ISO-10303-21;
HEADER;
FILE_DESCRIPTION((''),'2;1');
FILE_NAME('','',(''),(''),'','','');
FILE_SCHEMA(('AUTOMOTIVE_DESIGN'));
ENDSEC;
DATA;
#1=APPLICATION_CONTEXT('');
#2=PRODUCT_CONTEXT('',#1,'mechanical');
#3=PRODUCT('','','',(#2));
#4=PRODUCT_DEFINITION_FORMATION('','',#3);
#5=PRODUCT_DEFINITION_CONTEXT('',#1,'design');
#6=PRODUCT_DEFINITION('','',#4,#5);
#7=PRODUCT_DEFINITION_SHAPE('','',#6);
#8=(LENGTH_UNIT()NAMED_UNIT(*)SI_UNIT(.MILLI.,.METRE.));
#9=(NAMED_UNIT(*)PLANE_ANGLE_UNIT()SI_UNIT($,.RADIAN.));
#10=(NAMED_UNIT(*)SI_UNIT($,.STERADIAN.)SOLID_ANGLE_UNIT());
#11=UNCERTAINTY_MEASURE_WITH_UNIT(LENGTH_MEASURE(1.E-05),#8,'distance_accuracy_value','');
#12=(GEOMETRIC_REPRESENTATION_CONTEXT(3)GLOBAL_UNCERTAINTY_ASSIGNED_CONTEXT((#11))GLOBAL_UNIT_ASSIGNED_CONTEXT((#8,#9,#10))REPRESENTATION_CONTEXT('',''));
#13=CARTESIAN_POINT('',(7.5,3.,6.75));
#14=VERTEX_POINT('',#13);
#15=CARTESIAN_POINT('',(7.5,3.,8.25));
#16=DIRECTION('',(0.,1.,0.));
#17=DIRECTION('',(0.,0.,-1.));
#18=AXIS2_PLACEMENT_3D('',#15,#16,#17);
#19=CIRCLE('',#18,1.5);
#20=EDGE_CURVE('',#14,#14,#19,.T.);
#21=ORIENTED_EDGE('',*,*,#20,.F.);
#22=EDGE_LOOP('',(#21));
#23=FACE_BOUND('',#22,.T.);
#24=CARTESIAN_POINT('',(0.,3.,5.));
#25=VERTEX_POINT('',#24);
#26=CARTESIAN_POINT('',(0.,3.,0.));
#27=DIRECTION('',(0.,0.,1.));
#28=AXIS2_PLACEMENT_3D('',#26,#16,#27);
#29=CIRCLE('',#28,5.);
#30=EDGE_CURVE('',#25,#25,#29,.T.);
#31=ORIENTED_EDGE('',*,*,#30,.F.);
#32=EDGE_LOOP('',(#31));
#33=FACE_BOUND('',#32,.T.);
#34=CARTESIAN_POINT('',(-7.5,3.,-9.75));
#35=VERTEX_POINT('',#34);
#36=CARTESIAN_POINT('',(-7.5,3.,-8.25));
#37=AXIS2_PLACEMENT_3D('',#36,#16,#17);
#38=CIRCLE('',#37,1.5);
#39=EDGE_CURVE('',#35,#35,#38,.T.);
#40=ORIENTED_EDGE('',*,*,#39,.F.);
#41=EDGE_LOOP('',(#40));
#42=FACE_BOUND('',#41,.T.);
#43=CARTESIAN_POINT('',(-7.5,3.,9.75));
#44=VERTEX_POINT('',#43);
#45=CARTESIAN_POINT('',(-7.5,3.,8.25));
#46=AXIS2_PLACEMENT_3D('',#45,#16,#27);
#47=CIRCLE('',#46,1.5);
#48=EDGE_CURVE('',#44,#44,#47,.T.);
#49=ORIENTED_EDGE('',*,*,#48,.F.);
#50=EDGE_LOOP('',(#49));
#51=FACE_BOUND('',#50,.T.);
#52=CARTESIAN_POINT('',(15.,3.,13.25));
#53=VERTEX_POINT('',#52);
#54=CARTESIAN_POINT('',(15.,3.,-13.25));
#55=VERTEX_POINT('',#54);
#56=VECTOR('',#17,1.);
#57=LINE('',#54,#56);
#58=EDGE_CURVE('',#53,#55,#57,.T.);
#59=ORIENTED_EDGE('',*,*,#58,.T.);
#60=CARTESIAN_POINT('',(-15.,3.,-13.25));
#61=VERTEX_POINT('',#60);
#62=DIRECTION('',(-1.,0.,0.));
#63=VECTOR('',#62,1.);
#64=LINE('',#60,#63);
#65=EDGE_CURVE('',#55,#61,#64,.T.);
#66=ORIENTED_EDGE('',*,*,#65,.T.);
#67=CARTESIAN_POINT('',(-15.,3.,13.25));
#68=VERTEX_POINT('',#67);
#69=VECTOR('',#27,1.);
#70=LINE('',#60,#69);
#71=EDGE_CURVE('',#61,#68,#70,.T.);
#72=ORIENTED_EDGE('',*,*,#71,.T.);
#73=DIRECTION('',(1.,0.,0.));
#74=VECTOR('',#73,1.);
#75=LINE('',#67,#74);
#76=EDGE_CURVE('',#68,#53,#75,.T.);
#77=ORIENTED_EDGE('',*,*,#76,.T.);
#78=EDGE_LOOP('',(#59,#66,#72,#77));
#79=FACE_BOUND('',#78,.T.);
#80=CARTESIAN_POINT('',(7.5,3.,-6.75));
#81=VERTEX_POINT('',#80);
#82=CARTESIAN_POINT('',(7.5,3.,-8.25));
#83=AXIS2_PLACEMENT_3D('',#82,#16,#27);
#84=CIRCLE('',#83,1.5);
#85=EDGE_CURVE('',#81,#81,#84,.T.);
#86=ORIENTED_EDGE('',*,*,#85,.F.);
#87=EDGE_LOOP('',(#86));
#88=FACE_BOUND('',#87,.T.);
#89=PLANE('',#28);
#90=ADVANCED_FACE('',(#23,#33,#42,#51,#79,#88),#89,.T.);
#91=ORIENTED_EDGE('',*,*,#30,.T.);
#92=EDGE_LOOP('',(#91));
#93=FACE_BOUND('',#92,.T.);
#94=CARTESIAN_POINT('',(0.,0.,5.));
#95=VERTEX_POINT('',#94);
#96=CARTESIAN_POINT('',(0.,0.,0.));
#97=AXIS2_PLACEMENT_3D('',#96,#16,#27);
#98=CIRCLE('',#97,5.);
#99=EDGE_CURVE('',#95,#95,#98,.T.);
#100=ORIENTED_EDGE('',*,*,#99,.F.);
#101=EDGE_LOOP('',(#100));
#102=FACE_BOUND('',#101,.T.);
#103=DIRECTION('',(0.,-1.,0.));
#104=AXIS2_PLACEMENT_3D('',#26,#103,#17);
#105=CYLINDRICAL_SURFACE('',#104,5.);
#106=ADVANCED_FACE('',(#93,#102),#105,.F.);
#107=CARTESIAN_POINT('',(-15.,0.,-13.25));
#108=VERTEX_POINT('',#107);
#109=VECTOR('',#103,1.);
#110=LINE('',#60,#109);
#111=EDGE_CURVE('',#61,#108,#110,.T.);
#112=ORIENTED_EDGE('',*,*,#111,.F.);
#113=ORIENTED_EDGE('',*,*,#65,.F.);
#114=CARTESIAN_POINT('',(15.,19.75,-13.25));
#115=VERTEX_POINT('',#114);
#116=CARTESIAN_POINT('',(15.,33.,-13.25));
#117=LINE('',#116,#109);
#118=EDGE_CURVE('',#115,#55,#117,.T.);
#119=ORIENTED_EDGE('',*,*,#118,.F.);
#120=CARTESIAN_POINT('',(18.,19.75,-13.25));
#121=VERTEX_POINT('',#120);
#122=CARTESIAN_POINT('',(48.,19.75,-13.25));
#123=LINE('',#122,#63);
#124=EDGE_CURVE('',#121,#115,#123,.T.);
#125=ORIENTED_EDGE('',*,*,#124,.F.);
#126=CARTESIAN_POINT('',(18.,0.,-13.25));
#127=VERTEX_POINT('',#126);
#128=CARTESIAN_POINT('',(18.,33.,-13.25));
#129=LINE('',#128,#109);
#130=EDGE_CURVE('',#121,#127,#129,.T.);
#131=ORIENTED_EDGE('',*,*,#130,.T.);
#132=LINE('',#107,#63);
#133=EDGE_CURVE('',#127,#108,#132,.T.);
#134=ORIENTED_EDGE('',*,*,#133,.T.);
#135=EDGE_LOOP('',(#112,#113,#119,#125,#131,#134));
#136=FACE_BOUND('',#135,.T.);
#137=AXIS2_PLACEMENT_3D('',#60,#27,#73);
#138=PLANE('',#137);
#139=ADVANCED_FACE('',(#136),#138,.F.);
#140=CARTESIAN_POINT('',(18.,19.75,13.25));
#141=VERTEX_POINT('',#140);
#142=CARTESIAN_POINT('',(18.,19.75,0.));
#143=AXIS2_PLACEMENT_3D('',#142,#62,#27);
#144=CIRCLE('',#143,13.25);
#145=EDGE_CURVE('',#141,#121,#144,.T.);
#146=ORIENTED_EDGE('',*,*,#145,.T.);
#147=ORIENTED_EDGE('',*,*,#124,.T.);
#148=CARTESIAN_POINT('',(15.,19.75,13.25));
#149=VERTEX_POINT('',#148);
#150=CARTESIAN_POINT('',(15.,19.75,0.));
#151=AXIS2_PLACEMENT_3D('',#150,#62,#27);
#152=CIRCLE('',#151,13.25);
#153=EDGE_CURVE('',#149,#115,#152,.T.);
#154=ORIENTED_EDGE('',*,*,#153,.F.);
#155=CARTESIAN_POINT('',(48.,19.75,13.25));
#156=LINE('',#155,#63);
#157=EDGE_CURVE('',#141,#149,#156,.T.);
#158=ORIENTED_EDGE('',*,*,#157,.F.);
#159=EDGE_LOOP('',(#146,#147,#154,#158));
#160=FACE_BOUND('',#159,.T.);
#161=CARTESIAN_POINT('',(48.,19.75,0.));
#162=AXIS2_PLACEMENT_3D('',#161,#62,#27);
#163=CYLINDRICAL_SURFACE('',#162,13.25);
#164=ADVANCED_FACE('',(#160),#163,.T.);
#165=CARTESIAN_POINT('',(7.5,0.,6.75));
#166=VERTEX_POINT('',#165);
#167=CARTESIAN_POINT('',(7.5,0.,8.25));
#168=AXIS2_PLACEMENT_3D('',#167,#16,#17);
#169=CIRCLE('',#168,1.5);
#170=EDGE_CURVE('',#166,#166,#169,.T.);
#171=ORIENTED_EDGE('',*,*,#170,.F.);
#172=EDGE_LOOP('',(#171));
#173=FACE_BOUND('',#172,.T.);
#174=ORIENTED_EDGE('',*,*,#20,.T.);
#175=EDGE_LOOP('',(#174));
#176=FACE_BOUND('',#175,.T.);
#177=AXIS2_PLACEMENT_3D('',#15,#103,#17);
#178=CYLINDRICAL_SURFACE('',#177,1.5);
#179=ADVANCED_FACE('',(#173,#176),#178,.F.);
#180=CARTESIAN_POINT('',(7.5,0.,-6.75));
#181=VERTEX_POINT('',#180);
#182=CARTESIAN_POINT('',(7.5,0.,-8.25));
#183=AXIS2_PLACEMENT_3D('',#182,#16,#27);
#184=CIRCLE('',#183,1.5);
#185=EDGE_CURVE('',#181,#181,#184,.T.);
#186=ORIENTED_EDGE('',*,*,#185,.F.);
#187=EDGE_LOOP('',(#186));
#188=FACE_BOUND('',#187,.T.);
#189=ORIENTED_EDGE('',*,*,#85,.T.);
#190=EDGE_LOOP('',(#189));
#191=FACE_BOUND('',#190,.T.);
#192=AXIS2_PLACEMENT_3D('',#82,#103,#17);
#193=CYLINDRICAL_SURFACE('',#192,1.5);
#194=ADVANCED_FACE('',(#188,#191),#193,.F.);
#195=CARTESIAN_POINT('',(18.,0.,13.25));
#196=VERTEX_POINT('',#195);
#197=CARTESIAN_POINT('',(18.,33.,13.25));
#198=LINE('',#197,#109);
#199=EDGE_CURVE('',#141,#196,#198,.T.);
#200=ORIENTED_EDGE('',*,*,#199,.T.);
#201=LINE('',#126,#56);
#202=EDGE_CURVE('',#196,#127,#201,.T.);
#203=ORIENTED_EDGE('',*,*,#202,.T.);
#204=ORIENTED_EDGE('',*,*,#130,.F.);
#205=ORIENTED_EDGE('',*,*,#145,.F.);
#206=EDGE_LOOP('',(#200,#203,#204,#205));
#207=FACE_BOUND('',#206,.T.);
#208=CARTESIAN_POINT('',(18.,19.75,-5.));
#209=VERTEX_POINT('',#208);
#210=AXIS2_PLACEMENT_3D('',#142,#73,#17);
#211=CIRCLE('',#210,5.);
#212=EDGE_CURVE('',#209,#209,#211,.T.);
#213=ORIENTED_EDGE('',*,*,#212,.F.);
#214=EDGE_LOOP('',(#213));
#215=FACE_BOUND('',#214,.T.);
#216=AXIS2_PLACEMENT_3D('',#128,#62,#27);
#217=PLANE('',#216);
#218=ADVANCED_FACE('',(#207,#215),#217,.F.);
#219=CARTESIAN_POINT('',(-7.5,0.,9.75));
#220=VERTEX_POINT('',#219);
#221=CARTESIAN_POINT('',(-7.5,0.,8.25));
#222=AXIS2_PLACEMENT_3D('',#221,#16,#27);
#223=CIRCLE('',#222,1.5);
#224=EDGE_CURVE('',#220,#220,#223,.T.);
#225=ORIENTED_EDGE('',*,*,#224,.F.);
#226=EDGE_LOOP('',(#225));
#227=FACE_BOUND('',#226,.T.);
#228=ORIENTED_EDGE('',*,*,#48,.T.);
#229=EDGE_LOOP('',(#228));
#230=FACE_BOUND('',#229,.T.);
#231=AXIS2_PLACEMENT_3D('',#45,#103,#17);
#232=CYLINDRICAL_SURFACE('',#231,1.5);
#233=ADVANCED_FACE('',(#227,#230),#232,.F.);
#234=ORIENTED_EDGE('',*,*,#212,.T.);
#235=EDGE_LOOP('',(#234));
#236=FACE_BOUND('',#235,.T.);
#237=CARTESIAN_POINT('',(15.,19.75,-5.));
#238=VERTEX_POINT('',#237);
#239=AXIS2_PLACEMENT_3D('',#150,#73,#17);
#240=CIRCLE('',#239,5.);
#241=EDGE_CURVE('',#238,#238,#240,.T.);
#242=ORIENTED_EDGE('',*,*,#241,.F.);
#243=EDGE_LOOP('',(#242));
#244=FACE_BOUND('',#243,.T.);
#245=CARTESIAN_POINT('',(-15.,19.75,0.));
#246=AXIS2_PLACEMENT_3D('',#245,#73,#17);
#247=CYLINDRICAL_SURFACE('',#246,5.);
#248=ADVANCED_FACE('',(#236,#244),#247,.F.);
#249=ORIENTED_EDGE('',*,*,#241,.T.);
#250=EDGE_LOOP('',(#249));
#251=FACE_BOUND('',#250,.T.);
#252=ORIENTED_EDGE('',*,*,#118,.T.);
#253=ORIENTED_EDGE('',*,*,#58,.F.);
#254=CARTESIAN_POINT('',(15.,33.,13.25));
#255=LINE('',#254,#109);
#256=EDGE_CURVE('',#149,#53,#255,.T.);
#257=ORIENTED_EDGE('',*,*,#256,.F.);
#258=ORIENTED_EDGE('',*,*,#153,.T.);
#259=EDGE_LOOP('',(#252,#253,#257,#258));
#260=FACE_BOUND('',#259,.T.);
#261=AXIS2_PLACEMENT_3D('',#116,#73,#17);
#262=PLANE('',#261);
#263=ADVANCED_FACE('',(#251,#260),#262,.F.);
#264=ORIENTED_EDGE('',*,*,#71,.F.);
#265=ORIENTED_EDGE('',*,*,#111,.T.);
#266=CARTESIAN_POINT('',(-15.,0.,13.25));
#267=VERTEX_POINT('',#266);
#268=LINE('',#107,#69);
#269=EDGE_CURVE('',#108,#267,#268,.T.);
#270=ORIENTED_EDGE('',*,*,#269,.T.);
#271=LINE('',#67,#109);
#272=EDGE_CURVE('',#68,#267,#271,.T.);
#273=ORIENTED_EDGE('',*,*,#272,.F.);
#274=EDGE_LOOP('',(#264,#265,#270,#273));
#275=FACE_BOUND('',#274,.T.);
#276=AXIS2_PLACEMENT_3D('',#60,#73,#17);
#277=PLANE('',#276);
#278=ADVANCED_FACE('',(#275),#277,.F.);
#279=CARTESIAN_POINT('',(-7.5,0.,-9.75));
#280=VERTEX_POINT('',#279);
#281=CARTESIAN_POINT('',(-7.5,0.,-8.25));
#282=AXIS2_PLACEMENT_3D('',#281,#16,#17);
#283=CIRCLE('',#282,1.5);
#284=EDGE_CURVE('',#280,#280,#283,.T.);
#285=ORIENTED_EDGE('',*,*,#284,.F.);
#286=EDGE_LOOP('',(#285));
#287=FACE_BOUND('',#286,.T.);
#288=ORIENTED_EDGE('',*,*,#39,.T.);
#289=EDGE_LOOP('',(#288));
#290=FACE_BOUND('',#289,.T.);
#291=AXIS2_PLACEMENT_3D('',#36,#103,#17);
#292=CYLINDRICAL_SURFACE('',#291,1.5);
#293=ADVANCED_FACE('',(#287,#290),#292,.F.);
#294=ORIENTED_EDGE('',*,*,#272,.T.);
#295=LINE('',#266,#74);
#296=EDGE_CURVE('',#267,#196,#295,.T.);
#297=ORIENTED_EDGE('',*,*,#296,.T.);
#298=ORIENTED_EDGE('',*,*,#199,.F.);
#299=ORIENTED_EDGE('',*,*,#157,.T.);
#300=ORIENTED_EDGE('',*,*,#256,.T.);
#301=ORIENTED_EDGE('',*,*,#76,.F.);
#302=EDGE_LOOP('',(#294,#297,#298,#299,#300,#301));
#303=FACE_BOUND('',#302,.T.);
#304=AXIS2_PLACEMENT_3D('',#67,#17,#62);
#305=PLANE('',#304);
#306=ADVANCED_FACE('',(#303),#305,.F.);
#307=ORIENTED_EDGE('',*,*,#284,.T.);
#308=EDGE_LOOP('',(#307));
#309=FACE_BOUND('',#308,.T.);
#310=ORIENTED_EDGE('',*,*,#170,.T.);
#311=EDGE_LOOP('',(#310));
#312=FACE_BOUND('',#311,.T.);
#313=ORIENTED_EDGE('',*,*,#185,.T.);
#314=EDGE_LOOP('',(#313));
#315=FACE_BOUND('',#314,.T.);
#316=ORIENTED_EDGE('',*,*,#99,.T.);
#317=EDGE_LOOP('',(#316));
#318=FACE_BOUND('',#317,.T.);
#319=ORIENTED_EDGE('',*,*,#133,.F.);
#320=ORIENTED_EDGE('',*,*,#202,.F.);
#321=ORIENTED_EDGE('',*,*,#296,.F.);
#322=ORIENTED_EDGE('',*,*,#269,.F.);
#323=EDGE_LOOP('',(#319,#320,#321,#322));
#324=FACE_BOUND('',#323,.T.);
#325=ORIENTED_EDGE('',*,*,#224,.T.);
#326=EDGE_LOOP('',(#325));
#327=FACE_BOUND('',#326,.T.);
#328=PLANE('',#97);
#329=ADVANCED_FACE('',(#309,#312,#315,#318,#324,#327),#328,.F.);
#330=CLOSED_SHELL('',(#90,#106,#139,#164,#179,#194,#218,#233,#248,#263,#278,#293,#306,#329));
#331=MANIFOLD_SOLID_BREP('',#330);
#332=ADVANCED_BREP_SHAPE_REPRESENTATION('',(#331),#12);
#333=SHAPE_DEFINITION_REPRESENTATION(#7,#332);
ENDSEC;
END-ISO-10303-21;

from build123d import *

# Parameters (mm, degrees)
SKETCH1_W           = 30
SKETCH1_H           = 26.5
SKETCH1_R           = 5
SKETCH1_R_2         = 1.5
BOSS_EXTRUDE1_DEPTH = 3
SKETCH2_W           = 3
SKETCH2_H           = 26.5
BOSS_EXTRUDE2_DEPTH = 33
CUT_EXTRUDE1_DEPTH  = 33
SKETCH4_R           = 5
CUT_EXTRUDE2_DEPTH  = 49.513529041


with BuildPart() as part:
    # Sketch1 → Boss-Extrude1 (new body)
    with BuildSketch(Plane(origin=(0, 0, 0), x_dir=(1, 0, 0), z_dir=(0, 1, 0))):
        Rectangle(SKETCH1_W, SKETCH1_H)
        with Locations(Location((0, 0, 0), (0, 0, 270))):
            Circle(SKETCH1_R, mode=Mode.SUBTRACT)
        with Locations(Location((7.5, 8.25, 0), (0, 0, 270))):
            Circle(SKETCH1_R_2, mode=Mode.SUBTRACT)
        with Locations(Location((-7.5, 8.25, 0), (0, 0, 90))):
            Circle(SKETCH1_R_2, mode=Mode.SUBTRACT)
        with Locations(Location((-7.5, -8.25, 0), (0, 0, 270))):
            Circle(SKETCH1_R_2, mode=Mode.SUBTRACT)
        with Locations(Location((7.5, -8.25, 0), (0, 0, 90))):
            Circle(SKETCH1_R_2, mode=Mode.SUBTRACT)
    extrude(amount=BOSS_EXTRUDE1_DEPTH)

    # Sketch2 → Boss-Extrude2 (add)
    with BuildSketch(Plane(origin=(0, 0, 0), x_dir=(1, 0, 0), z_dir=(0, 1, 0))):
        with Locations((16.5, 0)):
            Rectangle(SKETCH2_W, SKETCH2_H)
    extrude(amount=BOSS_EXTRUDE2_DEPTH)

    # Sketch3 → Cut-Extrude1 (cut)
    with BuildSketch(Plane.ZY.offset(-15)):
        with BuildLine():
            Line((0, 33), (-13.25, 33))
            Line((-13.25, 33), (-13.25, 19.75))
            ThreePointArc((-13.25, 19.75), (-9.369164851, 29.119164851), (0, 33))
        make_face()
        with BuildLine():
            Line((13.25, 33), (0, 33))
            ThreePointArc((0, 33), (9.369164851, 29.119164851), (13.25, 19.75))
            Line((13.25, 19.75), (13.25, 33))
        make_face()
    extrude(amount=-CUT_EXTRUDE1_DEPTH, mode=Mode.SUBTRACT)

    # Sketch4 → Cut-Extrude2 (cut, through all)
    with BuildSketch(Plane(origin=(18, 0, 0), x_dir=(0, 0, -1), z_dir=(1, 0, 0))):
        with Locations((0, 19.75)):
            Circle(SKETCH4_R)
    extrude(amount=-CUT_EXTRUDE2_DEPTH, mode=Mode.SUBTRACT)


solid = part.part
